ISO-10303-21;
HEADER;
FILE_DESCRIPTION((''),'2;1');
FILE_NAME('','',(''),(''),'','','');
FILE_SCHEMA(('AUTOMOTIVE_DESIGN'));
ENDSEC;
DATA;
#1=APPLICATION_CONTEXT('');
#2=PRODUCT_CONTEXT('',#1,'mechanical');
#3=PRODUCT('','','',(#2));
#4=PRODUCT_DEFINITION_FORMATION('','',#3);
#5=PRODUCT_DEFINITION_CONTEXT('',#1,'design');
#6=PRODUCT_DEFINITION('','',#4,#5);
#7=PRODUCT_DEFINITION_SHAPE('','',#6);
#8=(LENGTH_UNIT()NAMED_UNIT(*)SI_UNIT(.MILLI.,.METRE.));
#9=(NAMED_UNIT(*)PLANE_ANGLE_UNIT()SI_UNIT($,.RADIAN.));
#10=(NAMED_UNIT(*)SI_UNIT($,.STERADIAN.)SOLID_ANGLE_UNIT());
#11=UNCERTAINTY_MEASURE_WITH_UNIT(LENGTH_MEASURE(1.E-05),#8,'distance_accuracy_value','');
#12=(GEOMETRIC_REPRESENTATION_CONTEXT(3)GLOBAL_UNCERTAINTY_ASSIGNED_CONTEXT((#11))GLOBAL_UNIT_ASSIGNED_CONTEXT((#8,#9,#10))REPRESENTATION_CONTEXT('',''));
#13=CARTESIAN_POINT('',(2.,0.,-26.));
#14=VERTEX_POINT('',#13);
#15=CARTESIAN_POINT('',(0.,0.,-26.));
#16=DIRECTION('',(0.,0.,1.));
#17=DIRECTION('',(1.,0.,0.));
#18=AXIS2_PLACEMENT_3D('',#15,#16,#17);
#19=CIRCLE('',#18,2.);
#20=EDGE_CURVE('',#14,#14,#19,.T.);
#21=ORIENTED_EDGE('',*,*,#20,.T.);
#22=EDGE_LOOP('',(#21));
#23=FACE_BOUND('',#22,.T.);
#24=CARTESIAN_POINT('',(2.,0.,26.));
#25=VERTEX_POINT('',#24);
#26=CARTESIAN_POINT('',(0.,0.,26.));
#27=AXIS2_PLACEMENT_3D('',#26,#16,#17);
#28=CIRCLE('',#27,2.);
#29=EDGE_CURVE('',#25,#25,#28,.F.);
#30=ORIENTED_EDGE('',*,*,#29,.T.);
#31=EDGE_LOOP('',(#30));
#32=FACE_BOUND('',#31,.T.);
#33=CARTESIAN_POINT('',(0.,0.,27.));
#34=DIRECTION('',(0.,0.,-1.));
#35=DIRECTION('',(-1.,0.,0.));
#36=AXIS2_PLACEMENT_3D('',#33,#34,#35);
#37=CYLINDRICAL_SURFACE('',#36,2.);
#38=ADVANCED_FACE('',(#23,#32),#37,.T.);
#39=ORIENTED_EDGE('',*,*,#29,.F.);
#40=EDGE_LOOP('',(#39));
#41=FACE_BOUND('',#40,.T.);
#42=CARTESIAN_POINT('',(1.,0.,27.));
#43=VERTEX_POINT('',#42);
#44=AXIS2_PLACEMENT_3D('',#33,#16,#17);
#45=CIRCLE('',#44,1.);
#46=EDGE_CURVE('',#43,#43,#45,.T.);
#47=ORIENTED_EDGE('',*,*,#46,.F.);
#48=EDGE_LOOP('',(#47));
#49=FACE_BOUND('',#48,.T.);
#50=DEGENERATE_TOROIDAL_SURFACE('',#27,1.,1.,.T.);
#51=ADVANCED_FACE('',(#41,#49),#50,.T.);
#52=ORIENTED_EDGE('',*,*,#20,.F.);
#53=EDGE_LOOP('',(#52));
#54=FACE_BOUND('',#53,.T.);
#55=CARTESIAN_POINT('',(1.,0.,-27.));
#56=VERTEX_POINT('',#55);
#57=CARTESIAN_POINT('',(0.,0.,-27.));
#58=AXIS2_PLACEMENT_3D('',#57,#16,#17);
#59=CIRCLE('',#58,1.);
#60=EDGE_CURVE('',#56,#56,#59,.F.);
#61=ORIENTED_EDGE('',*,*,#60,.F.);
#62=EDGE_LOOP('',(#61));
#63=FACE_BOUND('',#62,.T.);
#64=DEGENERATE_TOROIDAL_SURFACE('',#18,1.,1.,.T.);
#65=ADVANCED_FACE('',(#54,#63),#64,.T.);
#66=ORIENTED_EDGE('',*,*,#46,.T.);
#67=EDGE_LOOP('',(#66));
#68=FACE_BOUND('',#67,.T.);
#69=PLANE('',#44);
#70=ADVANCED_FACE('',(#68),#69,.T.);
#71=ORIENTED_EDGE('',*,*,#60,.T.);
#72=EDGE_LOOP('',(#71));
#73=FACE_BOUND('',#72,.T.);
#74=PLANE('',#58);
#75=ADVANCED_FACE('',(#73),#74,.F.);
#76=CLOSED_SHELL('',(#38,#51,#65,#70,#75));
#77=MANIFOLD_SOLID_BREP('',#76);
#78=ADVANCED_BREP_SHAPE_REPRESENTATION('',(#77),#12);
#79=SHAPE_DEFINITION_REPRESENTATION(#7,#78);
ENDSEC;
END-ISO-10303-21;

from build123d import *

# Parameters (mm, degrees)
SKETCH1_R           = 2
BOSS_EXTRUDE1_DEPTH = 27
FILLET1_R           = 1
FILLET2_R           = 1


with BuildPart() as part:
    # Sketch1 → Boss-Extrude1 (new body, symmetric)
    with BuildSketch(Plane.XY):
        Circle(SKETCH1_R)
    extrude(amount=BOSS_EXTRUDE1_DEPTH, both=True)

    # Fillet1
    fillet1_edges = [part.edges().sort_by_distance(p)[0] for p in [
        (-2, 0, 27),
    ]]
    fillet(fillet1_edges, radius=FILLET1_R)

    # Fillet2
    fillet2_edges = [part.edges().sort_by_distance(p)[0] for p in [
        (-2, 0, -27),
    ]]
    fillet(fillet2_edges, radius=FILLET2_R)


solid = part.part
